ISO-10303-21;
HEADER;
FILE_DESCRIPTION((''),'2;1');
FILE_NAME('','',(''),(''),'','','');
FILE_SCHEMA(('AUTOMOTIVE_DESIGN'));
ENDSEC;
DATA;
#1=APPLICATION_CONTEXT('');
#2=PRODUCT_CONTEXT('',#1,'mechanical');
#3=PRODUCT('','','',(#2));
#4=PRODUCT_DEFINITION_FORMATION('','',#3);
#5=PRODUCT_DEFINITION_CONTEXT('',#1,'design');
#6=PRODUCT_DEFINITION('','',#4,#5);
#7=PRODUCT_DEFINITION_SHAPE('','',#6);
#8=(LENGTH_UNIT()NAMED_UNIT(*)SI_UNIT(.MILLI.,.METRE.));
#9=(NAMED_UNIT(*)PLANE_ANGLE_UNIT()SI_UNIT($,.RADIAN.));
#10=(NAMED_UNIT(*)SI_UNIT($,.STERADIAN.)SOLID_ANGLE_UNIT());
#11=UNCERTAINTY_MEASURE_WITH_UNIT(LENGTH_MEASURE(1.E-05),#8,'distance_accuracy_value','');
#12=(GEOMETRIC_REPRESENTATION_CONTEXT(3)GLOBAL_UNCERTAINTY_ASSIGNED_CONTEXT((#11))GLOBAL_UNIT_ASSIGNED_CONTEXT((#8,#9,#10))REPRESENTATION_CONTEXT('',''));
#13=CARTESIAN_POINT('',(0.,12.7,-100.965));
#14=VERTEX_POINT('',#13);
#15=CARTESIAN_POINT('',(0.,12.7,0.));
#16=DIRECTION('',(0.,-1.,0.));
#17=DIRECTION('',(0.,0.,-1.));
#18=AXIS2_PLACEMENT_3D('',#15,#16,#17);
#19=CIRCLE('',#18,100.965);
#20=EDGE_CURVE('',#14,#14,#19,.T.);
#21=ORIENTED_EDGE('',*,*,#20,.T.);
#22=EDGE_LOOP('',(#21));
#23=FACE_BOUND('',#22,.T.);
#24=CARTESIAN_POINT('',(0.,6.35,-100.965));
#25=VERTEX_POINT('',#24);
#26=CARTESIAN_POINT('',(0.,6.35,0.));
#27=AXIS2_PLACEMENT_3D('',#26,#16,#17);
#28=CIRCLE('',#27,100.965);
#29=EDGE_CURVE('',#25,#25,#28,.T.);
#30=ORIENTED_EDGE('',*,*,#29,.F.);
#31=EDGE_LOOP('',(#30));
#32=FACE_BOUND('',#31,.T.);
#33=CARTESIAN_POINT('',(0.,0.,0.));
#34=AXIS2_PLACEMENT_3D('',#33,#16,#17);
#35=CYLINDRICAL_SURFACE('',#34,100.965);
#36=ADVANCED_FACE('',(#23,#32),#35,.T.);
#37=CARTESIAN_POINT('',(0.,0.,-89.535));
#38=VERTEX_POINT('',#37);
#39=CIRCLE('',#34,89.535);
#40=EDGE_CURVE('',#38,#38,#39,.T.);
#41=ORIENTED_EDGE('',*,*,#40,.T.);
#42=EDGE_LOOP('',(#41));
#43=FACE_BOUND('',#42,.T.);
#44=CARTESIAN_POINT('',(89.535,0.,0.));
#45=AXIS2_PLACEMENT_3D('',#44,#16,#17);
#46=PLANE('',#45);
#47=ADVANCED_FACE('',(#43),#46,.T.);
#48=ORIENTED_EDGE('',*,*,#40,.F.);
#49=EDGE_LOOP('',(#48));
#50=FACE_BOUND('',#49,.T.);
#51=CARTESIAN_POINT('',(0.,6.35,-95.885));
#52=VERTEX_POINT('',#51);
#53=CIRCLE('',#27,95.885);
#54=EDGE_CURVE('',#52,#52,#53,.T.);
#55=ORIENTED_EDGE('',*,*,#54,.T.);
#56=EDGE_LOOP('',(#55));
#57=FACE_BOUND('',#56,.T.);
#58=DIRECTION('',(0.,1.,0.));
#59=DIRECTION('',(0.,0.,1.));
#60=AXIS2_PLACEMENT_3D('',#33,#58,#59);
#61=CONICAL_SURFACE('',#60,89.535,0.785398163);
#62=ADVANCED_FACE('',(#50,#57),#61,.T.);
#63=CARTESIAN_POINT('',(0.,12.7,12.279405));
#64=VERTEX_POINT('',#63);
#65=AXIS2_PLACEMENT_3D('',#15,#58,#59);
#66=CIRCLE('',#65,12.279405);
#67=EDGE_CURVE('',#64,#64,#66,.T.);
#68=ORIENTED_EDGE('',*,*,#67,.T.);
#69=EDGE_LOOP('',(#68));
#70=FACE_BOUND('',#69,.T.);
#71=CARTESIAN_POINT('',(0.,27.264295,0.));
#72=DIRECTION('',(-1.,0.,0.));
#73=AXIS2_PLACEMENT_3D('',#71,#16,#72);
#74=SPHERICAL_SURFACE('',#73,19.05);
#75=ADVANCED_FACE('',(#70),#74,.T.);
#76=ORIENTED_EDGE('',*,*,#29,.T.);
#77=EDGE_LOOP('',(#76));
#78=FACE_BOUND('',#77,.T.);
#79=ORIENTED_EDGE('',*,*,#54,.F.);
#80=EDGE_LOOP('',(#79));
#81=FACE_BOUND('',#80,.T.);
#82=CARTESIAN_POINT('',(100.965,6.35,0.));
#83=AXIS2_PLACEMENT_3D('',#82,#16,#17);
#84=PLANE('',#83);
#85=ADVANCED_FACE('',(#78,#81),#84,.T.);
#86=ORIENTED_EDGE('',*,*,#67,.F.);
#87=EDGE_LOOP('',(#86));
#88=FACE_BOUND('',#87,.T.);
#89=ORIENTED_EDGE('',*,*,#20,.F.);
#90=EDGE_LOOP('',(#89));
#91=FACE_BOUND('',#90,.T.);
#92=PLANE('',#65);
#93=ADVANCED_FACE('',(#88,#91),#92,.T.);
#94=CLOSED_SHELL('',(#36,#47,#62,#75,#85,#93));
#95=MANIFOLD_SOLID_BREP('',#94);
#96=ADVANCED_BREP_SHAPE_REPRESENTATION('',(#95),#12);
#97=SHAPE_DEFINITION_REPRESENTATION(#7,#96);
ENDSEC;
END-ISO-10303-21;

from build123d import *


with BuildPart() as part:
    # Sketch1 → Revolve1 (revolve)
    with BuildSketch(Plane.XY, mode=Mode.PRIVATE) as revolve1_sk:
        Polygon((100.965, 12.7), (100.965, 6.35), (95.885, 6.35), (89.535, 0), (0, 0), (0, 12.7), align=None)
    revolve(revolve1_sk.sketch.rotate(Axis((0, 0, 0), (0, 1, 0)), 90), axis=Axis((0, 0, 0), (0, 1, 0)))

    # Sketch2 → Revolve2 (revolve)
    with BuildSketch(Plane.XY):
        with BuildLine():
            Line((0, 46.314295443), (0, 8.214295443))
            ThreePointArc((0, 8.214295443), (19.05, 27.264295443), (0, 46.314295443))
        make_face()
    revolve(axis=Axis((0, 0, 0), (0, 1, 0)))


solid = part.part
